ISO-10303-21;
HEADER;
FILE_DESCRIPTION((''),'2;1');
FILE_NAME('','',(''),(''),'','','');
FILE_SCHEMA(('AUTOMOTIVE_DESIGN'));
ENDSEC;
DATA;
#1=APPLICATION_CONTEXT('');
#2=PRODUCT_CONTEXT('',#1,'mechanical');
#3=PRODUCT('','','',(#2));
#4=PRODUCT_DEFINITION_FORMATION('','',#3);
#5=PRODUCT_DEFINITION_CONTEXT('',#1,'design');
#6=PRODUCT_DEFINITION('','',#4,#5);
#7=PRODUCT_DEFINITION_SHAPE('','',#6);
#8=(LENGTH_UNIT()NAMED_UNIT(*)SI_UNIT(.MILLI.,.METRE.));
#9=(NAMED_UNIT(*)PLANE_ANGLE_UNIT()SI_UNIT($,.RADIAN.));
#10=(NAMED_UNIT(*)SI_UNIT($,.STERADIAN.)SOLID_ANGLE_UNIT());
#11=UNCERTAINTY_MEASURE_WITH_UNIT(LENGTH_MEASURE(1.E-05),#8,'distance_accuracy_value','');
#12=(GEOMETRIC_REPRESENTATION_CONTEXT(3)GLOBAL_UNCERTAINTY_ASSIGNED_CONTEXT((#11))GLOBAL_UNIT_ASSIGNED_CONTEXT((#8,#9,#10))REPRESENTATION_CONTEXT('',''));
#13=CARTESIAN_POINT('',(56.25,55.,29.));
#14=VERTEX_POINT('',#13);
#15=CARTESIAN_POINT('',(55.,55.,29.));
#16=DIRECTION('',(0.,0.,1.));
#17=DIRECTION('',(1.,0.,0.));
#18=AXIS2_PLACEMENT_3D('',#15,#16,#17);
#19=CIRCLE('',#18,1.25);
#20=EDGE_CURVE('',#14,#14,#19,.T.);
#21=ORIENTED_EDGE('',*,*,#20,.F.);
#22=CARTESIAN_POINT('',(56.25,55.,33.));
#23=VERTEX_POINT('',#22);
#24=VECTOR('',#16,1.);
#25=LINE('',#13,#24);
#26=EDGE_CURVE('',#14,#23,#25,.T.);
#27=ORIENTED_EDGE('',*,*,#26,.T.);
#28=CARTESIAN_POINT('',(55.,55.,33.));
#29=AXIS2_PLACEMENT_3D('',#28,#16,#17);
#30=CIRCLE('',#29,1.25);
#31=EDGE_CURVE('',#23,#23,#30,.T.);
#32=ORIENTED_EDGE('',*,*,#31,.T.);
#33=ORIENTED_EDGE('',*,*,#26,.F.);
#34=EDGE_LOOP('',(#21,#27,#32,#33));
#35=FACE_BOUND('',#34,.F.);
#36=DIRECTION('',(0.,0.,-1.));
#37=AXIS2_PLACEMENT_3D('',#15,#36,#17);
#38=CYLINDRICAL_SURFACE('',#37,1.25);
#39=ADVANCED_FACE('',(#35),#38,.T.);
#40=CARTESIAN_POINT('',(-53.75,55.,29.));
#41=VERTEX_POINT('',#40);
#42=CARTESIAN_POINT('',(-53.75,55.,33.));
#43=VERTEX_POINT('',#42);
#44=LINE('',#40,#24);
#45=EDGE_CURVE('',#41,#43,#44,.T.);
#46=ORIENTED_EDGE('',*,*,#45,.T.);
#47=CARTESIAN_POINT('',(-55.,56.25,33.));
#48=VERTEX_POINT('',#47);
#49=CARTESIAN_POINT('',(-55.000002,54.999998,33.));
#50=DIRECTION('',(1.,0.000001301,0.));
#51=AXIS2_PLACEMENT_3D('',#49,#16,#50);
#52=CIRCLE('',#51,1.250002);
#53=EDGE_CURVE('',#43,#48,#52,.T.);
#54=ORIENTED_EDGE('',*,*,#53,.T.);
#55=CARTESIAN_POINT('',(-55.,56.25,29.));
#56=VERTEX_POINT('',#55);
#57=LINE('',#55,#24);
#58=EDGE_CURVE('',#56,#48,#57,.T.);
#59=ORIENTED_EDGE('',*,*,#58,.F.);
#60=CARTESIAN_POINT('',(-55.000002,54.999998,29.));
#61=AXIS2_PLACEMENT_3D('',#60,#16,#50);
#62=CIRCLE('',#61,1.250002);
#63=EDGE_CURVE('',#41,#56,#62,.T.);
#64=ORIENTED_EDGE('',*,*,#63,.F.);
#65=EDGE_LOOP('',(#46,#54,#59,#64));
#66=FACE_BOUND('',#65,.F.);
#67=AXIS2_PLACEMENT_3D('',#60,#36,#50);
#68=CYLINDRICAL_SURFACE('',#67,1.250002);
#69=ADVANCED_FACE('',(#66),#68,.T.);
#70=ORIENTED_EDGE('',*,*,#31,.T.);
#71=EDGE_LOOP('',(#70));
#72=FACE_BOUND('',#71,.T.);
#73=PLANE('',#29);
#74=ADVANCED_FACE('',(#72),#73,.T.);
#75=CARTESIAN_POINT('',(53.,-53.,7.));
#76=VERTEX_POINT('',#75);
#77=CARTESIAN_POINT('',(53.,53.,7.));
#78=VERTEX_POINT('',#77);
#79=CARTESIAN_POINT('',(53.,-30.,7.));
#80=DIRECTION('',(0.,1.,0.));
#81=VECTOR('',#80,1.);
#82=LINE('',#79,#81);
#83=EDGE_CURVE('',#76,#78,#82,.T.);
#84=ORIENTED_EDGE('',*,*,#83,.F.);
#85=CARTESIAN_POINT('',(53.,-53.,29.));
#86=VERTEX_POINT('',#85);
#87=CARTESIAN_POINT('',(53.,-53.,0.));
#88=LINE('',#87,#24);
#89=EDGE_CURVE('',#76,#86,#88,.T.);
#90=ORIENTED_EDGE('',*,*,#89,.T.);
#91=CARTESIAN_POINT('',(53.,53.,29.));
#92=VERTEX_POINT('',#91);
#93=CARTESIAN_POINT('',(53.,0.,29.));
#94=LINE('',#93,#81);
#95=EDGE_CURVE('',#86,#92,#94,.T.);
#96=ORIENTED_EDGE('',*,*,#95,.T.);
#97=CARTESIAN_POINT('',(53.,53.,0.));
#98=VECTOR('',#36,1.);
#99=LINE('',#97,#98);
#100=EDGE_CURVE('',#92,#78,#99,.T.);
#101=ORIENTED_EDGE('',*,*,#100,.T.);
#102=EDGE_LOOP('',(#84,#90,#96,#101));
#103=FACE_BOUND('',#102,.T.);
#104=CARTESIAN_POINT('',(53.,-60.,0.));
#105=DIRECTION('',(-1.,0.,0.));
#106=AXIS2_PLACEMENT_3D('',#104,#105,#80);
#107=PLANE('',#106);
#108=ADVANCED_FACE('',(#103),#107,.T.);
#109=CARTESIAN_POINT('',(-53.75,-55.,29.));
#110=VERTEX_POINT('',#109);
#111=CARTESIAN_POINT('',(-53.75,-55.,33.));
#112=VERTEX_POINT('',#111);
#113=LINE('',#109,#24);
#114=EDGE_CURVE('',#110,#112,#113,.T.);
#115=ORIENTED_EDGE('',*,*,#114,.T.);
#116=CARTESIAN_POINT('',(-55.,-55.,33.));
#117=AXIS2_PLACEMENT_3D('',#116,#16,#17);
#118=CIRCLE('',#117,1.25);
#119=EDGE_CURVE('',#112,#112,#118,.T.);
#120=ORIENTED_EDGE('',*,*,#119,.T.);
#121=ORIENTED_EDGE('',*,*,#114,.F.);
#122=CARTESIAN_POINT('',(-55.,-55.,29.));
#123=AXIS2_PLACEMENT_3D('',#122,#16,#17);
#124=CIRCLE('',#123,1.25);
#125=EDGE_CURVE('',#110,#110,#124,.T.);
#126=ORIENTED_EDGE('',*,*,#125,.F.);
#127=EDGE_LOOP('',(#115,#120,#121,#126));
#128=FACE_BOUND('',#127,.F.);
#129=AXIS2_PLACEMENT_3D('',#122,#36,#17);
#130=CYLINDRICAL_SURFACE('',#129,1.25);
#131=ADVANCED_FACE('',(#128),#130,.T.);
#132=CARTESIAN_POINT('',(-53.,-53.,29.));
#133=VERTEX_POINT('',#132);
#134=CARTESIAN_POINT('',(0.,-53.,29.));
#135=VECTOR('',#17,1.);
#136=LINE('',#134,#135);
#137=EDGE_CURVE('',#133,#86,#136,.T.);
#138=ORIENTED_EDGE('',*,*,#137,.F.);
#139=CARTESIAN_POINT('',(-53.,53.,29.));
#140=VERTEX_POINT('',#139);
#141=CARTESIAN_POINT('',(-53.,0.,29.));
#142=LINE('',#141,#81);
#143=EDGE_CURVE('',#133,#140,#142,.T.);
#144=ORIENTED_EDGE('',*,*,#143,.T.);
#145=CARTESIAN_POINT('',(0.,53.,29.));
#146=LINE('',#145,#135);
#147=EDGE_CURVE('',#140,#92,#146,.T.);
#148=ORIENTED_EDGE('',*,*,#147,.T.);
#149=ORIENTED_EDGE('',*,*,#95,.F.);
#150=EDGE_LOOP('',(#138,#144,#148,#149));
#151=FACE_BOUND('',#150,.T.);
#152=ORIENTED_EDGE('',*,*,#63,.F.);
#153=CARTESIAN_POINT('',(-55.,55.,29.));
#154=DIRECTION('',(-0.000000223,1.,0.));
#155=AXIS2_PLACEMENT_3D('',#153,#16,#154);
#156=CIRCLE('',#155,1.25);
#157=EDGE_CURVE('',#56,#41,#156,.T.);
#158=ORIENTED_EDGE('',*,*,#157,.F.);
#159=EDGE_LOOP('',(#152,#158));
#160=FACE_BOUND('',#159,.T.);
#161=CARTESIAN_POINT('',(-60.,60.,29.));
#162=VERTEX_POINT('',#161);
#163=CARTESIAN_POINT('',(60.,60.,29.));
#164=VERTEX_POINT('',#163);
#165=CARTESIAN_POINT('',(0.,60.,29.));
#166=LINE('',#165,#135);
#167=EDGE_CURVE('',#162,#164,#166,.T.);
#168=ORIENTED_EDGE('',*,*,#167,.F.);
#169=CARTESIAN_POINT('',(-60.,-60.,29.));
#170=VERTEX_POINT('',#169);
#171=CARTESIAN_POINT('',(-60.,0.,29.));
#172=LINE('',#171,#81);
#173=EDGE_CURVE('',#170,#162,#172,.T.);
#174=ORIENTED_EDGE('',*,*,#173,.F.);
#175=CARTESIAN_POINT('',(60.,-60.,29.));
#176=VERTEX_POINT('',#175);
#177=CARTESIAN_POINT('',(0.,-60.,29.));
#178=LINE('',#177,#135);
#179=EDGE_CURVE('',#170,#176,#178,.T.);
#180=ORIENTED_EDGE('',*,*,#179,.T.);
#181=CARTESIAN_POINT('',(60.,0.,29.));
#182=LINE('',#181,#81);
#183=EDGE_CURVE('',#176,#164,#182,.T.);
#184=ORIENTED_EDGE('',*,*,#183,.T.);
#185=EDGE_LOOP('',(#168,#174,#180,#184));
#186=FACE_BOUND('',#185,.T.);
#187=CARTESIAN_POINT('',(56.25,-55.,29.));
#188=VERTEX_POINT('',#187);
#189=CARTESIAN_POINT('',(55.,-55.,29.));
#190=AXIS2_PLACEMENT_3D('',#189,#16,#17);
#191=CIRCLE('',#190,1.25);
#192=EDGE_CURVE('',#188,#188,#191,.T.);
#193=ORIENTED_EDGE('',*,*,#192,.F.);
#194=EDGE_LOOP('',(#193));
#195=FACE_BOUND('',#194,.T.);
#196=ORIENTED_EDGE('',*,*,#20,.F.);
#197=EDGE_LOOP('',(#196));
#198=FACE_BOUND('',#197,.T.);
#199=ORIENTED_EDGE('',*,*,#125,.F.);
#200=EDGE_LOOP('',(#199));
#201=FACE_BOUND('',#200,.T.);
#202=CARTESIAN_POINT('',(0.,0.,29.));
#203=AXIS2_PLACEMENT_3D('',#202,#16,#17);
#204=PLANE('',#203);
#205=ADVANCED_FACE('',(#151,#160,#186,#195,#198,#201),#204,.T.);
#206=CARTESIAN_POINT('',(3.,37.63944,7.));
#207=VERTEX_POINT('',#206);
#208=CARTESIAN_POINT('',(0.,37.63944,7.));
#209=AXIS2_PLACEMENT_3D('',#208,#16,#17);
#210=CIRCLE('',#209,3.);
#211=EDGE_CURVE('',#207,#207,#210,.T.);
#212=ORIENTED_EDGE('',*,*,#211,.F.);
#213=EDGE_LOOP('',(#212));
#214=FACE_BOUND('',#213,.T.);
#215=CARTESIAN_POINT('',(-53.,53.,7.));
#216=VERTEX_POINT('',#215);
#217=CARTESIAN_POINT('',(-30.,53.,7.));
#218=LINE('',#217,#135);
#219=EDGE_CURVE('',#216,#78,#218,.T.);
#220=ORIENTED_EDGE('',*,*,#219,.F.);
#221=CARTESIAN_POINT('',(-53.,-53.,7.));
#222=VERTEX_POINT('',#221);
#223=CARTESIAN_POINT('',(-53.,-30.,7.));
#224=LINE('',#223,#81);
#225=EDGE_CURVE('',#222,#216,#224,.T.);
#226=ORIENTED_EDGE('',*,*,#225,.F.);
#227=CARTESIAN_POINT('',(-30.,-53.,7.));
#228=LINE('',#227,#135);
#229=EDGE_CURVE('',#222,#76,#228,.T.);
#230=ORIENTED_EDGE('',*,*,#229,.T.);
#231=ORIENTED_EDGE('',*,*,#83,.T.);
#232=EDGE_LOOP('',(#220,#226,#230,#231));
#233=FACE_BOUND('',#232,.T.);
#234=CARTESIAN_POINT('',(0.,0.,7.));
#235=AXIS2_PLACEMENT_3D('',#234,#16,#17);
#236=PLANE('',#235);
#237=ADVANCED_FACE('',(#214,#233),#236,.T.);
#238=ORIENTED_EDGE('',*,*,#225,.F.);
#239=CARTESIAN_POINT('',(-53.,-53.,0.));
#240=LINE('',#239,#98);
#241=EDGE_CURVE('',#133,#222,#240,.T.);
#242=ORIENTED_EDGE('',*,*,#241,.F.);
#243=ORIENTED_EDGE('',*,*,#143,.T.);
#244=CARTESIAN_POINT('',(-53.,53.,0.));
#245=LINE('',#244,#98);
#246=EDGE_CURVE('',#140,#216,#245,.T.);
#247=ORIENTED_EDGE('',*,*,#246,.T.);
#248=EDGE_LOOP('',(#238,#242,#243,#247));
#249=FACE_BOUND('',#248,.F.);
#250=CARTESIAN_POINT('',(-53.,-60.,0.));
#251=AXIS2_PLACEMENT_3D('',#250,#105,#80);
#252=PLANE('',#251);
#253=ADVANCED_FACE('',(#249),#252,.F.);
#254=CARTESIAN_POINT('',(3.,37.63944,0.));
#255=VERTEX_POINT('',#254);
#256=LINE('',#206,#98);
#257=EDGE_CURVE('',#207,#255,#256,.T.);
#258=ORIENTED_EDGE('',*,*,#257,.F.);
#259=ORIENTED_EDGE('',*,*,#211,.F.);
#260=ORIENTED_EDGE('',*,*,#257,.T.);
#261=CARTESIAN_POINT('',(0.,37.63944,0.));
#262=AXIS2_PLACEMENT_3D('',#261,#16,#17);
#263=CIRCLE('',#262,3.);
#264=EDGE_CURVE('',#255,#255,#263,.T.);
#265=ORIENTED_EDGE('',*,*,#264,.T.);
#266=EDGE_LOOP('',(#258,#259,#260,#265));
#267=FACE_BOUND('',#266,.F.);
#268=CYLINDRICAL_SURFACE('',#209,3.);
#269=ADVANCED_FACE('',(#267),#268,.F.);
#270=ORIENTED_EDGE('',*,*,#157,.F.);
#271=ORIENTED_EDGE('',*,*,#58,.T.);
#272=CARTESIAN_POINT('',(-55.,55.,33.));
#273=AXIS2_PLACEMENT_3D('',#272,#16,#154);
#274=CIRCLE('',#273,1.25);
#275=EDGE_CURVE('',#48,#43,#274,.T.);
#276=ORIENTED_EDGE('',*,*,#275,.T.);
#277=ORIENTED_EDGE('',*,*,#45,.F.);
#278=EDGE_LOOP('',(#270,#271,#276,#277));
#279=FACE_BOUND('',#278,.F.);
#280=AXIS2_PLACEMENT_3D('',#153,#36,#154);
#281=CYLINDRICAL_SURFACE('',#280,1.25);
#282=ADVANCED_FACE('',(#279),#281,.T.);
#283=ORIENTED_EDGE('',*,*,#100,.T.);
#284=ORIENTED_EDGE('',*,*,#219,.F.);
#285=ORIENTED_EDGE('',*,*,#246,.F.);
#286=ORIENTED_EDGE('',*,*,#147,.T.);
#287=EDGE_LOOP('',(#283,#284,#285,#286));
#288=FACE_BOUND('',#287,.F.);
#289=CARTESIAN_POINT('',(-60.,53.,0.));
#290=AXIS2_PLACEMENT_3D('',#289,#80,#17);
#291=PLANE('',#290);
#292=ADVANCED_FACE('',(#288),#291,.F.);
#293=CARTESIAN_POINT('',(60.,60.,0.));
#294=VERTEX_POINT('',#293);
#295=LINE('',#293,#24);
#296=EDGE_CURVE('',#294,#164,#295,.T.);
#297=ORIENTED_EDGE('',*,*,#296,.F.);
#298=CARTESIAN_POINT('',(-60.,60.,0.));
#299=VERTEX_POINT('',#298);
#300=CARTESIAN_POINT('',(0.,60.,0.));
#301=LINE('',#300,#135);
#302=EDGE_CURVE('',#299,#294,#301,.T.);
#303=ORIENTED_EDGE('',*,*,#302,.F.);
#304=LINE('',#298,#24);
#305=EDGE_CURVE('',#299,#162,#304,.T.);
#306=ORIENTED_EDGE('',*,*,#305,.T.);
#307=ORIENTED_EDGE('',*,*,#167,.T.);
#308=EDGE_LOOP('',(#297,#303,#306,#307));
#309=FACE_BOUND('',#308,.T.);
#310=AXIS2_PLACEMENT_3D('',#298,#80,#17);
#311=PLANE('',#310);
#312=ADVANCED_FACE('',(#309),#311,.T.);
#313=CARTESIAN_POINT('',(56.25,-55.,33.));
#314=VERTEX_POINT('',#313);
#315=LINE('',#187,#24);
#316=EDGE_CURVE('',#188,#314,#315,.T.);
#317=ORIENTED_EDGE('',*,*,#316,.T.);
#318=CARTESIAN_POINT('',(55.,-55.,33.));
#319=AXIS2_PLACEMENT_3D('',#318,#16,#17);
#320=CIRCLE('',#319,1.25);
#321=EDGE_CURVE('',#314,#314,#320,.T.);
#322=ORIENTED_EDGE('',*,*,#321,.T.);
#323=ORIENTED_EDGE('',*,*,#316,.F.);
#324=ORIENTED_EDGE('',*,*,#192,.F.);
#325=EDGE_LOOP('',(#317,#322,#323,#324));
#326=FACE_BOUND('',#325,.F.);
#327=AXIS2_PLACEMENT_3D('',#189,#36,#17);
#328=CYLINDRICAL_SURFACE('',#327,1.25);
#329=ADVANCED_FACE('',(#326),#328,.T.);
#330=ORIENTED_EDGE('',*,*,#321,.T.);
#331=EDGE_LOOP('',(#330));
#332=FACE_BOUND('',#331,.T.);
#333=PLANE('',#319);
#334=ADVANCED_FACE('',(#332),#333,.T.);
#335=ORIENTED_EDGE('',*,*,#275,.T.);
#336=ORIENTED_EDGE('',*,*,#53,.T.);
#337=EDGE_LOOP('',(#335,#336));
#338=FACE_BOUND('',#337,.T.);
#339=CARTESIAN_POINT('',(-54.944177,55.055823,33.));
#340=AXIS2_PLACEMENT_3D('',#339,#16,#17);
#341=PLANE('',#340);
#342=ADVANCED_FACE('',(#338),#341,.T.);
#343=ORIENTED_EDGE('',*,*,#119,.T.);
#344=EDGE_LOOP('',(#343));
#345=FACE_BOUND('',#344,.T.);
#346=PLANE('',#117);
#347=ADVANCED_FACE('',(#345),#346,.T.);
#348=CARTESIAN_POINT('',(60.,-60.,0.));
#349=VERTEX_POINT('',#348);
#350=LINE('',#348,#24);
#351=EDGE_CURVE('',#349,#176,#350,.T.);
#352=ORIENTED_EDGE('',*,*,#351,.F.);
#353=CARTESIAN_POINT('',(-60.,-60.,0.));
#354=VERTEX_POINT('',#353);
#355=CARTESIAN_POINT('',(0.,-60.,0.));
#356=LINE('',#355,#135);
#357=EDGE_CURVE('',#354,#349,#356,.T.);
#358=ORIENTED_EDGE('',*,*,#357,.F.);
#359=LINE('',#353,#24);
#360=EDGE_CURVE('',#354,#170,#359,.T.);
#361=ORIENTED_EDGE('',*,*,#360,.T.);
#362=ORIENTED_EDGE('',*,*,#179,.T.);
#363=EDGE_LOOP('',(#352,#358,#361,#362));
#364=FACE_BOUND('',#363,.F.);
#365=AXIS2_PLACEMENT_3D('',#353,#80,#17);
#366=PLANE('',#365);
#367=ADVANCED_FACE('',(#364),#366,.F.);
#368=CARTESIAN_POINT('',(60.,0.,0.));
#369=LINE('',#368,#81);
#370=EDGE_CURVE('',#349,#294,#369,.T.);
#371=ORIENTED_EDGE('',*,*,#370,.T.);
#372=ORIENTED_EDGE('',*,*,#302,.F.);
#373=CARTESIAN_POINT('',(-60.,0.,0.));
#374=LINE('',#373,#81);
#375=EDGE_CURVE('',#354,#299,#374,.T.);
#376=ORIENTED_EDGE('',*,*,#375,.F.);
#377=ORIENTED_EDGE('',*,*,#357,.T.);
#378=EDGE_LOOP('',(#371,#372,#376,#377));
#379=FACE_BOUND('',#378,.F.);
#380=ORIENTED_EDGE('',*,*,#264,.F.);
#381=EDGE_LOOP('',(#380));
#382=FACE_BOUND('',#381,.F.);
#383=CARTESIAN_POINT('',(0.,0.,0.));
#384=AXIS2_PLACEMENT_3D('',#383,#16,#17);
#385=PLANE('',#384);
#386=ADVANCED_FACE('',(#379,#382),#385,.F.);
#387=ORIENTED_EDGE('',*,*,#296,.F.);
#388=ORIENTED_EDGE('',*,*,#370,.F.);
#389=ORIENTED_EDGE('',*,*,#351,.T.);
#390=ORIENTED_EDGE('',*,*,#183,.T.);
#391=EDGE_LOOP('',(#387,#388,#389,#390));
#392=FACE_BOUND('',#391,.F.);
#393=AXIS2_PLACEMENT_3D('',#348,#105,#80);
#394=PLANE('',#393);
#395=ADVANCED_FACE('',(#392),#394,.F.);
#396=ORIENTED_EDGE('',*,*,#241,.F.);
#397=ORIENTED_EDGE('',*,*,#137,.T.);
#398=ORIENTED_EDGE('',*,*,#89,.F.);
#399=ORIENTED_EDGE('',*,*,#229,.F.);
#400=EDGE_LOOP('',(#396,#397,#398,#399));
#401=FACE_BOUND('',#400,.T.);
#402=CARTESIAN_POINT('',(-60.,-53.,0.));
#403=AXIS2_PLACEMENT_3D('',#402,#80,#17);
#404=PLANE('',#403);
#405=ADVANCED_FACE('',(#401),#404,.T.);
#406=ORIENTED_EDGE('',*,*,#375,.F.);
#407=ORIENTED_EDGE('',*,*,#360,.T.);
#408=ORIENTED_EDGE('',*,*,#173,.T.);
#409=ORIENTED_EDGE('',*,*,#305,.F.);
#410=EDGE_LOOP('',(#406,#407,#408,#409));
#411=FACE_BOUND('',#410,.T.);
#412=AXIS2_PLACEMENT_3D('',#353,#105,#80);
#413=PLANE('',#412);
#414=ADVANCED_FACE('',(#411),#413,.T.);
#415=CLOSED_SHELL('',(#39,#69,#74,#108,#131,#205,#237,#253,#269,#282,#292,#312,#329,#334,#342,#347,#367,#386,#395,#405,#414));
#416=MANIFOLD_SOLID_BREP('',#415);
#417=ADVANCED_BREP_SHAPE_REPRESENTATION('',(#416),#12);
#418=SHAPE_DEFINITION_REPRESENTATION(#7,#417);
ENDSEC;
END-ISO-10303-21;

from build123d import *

# Parameters (mm, degrees)
F0_W     = 120
F0_H     = 120
F1_DEPTH = 29
F2_T     = -7
F3_R     = 1.25
F4_DEPTH = 4
F5_R     = 3
F6_DEPTH = 7


with BuildPart() as f1:
    # F0 (on Top) → F1 (new body)
    with BuildSketch(Plane.XY):
        Rectangle(F0_W, F0_H)
    extrude(amount=F1_DEPTH)

    # F2
    f2_openings = [f1.faces().sort_by_distance(p)[0] for p in [
        (0, 0, 29),
    ]]
    offset(amount=F2_T, openings=f2_openings)

    # F3 (on face) → F4 (join)
    with BuildSketch(Plane.XY.offset(29)):
        with BuildLine():
            ThreePointArc((-55, 56.25), (-55.883883, 54.116117), (-53.75, 55))
            ThreePointArc((-53.75, 55), (-54.116117, 55.883883), (-55, 56.25))
        make_face()
        with Locations((55, 55)):
            Circle(F3_R)
        with Locations((55, -55)):
            Circle(F3_R)
        with Locations((-55, -55)):
            Circle(F3_R)
    extrude(amount=F4_DEPTH)

    # F5 (on face) → F6 (cut)
    with BuildSketch(Plane.XY.offset(7)):
        with Locations((0, 37.63944)):
            Circle(F5_R)
    extrude(amount=-F6_DEPTH, mode=Mode.SUBTRACT)


solid = f1.part
